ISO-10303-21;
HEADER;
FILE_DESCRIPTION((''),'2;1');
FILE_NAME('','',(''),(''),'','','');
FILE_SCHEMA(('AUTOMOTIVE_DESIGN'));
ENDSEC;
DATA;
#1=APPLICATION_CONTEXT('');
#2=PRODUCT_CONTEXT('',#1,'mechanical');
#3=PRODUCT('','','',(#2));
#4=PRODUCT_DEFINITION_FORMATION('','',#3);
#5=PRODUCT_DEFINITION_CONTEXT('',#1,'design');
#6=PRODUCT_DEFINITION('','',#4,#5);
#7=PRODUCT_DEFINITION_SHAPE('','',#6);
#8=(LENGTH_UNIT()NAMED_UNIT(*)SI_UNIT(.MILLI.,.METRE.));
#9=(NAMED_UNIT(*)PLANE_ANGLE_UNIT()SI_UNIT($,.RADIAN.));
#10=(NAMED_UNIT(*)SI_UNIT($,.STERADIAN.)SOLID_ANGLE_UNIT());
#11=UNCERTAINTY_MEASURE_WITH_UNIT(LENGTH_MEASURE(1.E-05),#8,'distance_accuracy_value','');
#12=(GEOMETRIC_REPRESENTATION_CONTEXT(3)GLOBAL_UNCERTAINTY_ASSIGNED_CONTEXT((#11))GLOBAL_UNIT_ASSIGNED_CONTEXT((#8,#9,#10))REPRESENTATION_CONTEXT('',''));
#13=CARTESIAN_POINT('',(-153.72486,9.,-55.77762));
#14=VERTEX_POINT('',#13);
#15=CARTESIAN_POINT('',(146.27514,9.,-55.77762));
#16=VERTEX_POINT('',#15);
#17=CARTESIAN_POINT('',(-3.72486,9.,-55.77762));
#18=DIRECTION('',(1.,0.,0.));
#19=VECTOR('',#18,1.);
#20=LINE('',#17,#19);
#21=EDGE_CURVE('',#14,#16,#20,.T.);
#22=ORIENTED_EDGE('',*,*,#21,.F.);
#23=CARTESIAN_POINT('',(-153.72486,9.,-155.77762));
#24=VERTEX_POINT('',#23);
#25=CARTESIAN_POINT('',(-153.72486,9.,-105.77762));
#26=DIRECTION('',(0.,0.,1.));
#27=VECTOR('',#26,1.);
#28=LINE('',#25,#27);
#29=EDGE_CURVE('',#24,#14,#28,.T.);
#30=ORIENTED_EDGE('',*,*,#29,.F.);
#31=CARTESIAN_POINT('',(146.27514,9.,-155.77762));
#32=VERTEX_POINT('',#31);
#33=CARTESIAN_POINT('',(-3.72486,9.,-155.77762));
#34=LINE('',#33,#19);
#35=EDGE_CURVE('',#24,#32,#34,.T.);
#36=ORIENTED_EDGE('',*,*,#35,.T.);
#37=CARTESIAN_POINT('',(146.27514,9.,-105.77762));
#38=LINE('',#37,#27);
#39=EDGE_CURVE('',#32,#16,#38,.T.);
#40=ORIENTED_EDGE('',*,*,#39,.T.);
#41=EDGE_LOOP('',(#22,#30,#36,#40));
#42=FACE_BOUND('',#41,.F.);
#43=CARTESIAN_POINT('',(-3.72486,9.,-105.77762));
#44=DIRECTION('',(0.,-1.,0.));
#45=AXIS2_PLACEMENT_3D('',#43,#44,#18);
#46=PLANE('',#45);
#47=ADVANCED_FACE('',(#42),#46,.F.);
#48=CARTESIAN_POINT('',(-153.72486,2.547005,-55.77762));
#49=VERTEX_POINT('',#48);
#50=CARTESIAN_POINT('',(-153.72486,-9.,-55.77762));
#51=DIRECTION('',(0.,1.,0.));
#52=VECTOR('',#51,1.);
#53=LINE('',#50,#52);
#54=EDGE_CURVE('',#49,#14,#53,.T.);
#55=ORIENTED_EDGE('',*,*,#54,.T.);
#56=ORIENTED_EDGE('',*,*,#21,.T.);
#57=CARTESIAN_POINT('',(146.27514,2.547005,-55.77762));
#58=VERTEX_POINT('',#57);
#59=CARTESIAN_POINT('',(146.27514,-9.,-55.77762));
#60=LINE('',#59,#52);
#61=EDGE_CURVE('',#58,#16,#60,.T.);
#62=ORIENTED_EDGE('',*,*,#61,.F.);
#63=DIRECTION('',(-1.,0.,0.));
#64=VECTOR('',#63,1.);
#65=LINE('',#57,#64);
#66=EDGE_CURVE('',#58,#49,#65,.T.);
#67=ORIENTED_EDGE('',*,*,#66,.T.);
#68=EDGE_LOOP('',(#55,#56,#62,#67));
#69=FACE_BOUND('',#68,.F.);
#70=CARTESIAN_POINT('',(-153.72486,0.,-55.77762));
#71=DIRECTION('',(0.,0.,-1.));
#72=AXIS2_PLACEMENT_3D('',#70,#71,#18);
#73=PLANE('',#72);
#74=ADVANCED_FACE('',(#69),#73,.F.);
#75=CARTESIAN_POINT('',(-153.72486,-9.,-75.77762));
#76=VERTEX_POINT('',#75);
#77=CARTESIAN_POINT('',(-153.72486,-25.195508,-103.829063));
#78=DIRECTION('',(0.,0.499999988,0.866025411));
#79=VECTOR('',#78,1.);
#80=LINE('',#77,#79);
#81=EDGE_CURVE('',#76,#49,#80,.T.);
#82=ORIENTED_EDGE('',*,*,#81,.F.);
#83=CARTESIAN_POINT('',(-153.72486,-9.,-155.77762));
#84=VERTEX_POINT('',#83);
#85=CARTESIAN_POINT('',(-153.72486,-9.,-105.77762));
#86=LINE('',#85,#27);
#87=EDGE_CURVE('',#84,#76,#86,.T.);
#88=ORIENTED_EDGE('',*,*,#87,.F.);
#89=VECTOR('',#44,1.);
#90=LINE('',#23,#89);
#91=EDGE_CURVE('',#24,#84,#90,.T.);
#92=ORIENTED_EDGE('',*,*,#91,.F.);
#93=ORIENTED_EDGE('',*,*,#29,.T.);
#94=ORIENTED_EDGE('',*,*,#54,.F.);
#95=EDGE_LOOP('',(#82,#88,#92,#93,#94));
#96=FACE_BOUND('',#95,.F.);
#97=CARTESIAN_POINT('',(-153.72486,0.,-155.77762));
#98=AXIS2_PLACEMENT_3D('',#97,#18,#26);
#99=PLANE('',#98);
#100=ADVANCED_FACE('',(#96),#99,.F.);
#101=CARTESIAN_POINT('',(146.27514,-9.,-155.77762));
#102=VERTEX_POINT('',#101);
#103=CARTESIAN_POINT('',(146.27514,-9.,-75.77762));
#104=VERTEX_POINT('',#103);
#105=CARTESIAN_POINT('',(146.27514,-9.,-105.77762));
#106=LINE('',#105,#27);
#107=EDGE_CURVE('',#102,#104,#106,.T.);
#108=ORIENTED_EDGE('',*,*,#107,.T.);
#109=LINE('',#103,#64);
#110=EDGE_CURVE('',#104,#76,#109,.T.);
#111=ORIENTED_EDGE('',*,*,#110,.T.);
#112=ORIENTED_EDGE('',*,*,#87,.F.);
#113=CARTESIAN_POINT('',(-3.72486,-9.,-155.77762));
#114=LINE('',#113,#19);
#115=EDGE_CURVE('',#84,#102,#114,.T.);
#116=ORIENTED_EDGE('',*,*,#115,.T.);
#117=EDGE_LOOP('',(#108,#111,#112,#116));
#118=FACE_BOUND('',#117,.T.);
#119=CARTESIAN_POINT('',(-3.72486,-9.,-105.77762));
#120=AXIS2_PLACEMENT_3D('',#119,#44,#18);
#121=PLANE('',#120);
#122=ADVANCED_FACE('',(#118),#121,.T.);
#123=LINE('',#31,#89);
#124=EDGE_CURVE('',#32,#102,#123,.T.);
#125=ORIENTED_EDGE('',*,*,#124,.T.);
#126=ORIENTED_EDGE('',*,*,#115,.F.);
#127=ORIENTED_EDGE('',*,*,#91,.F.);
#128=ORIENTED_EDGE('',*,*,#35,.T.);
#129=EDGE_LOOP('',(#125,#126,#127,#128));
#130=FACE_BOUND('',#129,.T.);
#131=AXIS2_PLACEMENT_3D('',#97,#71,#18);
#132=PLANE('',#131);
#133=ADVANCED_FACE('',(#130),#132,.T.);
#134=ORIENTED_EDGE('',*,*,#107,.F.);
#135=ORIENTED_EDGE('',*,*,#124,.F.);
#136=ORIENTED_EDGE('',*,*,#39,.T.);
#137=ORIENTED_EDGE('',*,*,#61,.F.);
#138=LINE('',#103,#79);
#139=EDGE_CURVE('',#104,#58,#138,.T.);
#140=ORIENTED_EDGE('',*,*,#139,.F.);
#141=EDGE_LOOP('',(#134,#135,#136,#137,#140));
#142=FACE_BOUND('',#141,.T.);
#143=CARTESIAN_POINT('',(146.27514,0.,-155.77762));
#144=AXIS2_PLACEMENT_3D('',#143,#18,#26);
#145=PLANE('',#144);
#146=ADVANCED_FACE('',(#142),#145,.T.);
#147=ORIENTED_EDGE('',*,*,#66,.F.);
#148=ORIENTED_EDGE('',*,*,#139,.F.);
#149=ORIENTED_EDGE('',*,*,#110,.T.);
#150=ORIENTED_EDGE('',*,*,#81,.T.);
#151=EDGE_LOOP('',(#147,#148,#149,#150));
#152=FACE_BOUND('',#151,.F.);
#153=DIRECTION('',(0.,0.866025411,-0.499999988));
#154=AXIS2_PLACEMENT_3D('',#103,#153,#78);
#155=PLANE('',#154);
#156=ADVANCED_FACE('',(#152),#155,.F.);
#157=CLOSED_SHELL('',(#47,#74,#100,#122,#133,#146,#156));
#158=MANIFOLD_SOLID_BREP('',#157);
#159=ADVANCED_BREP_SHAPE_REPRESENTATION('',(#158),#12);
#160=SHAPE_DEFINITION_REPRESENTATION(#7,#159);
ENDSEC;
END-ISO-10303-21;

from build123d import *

# Parameters (mm, degrees)
F0_W     = 300
F0_H     = 100
F1_DEPTH = 9
F3_DEPTH = 300.001


with BuildPart() as f1:
    # F0 (on Front) → F1 (new body, symmetric)
    with BuildSketch(Plane.XZ):
        with Locations((-3.72486, -105.77762)):
            Rectangle(F0_W, F0_H)
    extrude(amount=F1_DEPTH, both=True)

    # F2 (on face) → F3 (cut, through all)
    with BuildSketch(Plane.YZ.offset(146.27514)):
        Polygon((-9, -55.77762), (-9, -75.77762), (2.547005, -55.77762), align=None)
    extrude(amount=-F3_DEPTH, mode=Mode.SUBTRACT)


solid = f1.part
